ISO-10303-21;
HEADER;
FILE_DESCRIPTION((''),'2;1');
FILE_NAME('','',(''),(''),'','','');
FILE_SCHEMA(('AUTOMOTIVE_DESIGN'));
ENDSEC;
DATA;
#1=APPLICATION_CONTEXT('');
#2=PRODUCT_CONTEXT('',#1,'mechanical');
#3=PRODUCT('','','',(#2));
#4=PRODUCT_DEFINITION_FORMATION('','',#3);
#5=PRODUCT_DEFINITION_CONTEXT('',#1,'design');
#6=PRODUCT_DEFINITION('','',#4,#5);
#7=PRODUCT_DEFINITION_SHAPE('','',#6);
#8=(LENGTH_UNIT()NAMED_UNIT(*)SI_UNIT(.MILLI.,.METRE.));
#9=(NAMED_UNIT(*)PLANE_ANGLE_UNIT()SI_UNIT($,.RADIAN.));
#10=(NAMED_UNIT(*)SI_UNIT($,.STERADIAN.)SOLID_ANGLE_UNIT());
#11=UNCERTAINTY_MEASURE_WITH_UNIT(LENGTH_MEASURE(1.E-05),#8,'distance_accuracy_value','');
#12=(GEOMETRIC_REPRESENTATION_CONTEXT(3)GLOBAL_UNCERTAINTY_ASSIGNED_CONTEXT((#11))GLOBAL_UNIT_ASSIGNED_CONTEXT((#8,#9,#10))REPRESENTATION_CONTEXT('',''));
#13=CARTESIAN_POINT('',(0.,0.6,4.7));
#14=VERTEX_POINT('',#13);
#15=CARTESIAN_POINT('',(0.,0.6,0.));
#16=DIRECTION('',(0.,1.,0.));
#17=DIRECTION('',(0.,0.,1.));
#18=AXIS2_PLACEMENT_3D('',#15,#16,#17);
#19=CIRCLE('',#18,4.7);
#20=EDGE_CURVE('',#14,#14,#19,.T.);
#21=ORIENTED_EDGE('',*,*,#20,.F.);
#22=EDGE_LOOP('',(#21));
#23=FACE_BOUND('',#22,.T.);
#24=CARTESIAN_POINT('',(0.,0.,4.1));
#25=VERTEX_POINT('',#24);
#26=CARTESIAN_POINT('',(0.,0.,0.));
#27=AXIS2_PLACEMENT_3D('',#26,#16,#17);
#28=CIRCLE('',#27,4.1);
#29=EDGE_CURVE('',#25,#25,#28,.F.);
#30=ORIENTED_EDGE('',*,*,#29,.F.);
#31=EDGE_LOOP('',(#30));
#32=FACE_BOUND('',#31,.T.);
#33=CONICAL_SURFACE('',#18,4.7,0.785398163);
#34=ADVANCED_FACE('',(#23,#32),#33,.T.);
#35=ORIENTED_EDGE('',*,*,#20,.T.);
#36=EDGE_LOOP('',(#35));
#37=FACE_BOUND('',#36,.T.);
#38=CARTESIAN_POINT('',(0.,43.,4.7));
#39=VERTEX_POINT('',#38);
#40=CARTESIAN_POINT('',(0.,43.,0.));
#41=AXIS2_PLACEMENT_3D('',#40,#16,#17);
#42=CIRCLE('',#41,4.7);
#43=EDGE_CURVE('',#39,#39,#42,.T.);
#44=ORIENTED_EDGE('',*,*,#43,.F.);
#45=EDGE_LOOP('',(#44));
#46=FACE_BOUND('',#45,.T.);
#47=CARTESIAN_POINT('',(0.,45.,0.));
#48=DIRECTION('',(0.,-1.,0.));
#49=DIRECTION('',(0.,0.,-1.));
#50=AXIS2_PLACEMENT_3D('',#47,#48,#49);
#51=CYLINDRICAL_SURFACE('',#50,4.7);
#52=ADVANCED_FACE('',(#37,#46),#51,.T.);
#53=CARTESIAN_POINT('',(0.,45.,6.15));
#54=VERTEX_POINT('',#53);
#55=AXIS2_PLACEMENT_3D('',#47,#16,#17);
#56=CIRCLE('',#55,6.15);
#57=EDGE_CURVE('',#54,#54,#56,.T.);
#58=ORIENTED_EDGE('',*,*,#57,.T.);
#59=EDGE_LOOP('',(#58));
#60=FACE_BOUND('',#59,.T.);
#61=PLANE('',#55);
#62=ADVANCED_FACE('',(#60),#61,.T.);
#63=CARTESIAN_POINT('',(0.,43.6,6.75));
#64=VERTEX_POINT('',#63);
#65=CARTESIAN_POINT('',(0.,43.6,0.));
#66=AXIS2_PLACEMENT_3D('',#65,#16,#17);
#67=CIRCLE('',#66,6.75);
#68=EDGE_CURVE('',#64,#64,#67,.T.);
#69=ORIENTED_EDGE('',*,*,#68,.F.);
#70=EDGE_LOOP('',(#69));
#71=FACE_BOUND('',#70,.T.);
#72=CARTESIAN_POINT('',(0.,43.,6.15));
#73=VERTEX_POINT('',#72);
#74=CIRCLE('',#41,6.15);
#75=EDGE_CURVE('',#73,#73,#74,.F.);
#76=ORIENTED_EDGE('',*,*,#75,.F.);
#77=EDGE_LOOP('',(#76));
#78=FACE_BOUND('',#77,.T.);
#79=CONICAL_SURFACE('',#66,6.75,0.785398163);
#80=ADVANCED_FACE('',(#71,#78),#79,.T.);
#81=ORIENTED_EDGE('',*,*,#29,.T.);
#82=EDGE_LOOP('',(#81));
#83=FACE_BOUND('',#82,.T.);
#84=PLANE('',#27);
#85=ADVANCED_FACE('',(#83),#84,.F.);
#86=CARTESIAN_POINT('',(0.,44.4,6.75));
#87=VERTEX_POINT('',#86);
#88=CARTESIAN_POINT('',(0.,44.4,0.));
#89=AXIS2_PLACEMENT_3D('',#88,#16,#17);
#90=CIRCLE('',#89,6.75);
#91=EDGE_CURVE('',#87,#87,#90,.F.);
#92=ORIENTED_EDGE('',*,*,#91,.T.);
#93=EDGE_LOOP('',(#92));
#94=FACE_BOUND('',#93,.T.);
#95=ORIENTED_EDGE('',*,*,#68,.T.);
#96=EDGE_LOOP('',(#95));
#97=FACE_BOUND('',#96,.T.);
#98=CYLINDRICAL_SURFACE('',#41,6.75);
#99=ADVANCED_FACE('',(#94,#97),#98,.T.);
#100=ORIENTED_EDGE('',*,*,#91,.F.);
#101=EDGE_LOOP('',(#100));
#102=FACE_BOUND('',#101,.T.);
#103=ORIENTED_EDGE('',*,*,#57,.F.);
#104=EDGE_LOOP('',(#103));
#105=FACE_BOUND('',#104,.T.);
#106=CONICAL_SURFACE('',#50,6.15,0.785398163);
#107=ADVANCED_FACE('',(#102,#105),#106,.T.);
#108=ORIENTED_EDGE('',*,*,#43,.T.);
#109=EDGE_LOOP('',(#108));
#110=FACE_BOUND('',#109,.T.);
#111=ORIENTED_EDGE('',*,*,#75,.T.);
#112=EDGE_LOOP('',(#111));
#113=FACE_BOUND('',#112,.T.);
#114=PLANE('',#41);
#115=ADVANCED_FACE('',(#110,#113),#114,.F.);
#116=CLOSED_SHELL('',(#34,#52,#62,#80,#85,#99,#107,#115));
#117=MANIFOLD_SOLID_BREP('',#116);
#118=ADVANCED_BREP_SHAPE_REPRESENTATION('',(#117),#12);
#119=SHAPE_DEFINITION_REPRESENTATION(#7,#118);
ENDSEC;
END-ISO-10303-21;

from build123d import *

# Parameters (mm, degrees)
SKETCH2_R           = 4.7
BOSS_EXTRUDE1_DEPTH = 45
SKETCH3_R           = 6.75
BOSS_EXTRUDE2_DEPTH = 2
CHAMFER1_SIZE       = 0.6


with BuildPart() as part:
    # Sketch2 → Boss-Extrude1 (new body)
    with BuildSketch(Plane(origin=(0, 0, 0), x_dir=(1, 0, 0), z_dir=(0, 1, 0))):
        Circle(SKETCH2_R)
    extrude(amount=BOSS_EXTRUDE1_DEPTH)

    # Sketch3 → Boss-Extrude2 (add)
    with BuildSketch(Plane(origin=(0, 45, 0), x_dir=(1, 0, 0), z_dir=(0, 1, 0))):
        Circle(SKETCH3_R)
    extrude(amount=-BOSS_EXTRUDE2_DEPTH)

    # Chamfer1
    chamfer1_edges = [part.edges().sort_by_distance(p)[0] for p in [
        (-4.7, 0, 0),
        (-6.75, 45, 0),
        (-6.75, 43, 0),
    ]]
    chamfer(chamfer1_edges, length=CHAMFER1_SIZE)


solid = part.part
